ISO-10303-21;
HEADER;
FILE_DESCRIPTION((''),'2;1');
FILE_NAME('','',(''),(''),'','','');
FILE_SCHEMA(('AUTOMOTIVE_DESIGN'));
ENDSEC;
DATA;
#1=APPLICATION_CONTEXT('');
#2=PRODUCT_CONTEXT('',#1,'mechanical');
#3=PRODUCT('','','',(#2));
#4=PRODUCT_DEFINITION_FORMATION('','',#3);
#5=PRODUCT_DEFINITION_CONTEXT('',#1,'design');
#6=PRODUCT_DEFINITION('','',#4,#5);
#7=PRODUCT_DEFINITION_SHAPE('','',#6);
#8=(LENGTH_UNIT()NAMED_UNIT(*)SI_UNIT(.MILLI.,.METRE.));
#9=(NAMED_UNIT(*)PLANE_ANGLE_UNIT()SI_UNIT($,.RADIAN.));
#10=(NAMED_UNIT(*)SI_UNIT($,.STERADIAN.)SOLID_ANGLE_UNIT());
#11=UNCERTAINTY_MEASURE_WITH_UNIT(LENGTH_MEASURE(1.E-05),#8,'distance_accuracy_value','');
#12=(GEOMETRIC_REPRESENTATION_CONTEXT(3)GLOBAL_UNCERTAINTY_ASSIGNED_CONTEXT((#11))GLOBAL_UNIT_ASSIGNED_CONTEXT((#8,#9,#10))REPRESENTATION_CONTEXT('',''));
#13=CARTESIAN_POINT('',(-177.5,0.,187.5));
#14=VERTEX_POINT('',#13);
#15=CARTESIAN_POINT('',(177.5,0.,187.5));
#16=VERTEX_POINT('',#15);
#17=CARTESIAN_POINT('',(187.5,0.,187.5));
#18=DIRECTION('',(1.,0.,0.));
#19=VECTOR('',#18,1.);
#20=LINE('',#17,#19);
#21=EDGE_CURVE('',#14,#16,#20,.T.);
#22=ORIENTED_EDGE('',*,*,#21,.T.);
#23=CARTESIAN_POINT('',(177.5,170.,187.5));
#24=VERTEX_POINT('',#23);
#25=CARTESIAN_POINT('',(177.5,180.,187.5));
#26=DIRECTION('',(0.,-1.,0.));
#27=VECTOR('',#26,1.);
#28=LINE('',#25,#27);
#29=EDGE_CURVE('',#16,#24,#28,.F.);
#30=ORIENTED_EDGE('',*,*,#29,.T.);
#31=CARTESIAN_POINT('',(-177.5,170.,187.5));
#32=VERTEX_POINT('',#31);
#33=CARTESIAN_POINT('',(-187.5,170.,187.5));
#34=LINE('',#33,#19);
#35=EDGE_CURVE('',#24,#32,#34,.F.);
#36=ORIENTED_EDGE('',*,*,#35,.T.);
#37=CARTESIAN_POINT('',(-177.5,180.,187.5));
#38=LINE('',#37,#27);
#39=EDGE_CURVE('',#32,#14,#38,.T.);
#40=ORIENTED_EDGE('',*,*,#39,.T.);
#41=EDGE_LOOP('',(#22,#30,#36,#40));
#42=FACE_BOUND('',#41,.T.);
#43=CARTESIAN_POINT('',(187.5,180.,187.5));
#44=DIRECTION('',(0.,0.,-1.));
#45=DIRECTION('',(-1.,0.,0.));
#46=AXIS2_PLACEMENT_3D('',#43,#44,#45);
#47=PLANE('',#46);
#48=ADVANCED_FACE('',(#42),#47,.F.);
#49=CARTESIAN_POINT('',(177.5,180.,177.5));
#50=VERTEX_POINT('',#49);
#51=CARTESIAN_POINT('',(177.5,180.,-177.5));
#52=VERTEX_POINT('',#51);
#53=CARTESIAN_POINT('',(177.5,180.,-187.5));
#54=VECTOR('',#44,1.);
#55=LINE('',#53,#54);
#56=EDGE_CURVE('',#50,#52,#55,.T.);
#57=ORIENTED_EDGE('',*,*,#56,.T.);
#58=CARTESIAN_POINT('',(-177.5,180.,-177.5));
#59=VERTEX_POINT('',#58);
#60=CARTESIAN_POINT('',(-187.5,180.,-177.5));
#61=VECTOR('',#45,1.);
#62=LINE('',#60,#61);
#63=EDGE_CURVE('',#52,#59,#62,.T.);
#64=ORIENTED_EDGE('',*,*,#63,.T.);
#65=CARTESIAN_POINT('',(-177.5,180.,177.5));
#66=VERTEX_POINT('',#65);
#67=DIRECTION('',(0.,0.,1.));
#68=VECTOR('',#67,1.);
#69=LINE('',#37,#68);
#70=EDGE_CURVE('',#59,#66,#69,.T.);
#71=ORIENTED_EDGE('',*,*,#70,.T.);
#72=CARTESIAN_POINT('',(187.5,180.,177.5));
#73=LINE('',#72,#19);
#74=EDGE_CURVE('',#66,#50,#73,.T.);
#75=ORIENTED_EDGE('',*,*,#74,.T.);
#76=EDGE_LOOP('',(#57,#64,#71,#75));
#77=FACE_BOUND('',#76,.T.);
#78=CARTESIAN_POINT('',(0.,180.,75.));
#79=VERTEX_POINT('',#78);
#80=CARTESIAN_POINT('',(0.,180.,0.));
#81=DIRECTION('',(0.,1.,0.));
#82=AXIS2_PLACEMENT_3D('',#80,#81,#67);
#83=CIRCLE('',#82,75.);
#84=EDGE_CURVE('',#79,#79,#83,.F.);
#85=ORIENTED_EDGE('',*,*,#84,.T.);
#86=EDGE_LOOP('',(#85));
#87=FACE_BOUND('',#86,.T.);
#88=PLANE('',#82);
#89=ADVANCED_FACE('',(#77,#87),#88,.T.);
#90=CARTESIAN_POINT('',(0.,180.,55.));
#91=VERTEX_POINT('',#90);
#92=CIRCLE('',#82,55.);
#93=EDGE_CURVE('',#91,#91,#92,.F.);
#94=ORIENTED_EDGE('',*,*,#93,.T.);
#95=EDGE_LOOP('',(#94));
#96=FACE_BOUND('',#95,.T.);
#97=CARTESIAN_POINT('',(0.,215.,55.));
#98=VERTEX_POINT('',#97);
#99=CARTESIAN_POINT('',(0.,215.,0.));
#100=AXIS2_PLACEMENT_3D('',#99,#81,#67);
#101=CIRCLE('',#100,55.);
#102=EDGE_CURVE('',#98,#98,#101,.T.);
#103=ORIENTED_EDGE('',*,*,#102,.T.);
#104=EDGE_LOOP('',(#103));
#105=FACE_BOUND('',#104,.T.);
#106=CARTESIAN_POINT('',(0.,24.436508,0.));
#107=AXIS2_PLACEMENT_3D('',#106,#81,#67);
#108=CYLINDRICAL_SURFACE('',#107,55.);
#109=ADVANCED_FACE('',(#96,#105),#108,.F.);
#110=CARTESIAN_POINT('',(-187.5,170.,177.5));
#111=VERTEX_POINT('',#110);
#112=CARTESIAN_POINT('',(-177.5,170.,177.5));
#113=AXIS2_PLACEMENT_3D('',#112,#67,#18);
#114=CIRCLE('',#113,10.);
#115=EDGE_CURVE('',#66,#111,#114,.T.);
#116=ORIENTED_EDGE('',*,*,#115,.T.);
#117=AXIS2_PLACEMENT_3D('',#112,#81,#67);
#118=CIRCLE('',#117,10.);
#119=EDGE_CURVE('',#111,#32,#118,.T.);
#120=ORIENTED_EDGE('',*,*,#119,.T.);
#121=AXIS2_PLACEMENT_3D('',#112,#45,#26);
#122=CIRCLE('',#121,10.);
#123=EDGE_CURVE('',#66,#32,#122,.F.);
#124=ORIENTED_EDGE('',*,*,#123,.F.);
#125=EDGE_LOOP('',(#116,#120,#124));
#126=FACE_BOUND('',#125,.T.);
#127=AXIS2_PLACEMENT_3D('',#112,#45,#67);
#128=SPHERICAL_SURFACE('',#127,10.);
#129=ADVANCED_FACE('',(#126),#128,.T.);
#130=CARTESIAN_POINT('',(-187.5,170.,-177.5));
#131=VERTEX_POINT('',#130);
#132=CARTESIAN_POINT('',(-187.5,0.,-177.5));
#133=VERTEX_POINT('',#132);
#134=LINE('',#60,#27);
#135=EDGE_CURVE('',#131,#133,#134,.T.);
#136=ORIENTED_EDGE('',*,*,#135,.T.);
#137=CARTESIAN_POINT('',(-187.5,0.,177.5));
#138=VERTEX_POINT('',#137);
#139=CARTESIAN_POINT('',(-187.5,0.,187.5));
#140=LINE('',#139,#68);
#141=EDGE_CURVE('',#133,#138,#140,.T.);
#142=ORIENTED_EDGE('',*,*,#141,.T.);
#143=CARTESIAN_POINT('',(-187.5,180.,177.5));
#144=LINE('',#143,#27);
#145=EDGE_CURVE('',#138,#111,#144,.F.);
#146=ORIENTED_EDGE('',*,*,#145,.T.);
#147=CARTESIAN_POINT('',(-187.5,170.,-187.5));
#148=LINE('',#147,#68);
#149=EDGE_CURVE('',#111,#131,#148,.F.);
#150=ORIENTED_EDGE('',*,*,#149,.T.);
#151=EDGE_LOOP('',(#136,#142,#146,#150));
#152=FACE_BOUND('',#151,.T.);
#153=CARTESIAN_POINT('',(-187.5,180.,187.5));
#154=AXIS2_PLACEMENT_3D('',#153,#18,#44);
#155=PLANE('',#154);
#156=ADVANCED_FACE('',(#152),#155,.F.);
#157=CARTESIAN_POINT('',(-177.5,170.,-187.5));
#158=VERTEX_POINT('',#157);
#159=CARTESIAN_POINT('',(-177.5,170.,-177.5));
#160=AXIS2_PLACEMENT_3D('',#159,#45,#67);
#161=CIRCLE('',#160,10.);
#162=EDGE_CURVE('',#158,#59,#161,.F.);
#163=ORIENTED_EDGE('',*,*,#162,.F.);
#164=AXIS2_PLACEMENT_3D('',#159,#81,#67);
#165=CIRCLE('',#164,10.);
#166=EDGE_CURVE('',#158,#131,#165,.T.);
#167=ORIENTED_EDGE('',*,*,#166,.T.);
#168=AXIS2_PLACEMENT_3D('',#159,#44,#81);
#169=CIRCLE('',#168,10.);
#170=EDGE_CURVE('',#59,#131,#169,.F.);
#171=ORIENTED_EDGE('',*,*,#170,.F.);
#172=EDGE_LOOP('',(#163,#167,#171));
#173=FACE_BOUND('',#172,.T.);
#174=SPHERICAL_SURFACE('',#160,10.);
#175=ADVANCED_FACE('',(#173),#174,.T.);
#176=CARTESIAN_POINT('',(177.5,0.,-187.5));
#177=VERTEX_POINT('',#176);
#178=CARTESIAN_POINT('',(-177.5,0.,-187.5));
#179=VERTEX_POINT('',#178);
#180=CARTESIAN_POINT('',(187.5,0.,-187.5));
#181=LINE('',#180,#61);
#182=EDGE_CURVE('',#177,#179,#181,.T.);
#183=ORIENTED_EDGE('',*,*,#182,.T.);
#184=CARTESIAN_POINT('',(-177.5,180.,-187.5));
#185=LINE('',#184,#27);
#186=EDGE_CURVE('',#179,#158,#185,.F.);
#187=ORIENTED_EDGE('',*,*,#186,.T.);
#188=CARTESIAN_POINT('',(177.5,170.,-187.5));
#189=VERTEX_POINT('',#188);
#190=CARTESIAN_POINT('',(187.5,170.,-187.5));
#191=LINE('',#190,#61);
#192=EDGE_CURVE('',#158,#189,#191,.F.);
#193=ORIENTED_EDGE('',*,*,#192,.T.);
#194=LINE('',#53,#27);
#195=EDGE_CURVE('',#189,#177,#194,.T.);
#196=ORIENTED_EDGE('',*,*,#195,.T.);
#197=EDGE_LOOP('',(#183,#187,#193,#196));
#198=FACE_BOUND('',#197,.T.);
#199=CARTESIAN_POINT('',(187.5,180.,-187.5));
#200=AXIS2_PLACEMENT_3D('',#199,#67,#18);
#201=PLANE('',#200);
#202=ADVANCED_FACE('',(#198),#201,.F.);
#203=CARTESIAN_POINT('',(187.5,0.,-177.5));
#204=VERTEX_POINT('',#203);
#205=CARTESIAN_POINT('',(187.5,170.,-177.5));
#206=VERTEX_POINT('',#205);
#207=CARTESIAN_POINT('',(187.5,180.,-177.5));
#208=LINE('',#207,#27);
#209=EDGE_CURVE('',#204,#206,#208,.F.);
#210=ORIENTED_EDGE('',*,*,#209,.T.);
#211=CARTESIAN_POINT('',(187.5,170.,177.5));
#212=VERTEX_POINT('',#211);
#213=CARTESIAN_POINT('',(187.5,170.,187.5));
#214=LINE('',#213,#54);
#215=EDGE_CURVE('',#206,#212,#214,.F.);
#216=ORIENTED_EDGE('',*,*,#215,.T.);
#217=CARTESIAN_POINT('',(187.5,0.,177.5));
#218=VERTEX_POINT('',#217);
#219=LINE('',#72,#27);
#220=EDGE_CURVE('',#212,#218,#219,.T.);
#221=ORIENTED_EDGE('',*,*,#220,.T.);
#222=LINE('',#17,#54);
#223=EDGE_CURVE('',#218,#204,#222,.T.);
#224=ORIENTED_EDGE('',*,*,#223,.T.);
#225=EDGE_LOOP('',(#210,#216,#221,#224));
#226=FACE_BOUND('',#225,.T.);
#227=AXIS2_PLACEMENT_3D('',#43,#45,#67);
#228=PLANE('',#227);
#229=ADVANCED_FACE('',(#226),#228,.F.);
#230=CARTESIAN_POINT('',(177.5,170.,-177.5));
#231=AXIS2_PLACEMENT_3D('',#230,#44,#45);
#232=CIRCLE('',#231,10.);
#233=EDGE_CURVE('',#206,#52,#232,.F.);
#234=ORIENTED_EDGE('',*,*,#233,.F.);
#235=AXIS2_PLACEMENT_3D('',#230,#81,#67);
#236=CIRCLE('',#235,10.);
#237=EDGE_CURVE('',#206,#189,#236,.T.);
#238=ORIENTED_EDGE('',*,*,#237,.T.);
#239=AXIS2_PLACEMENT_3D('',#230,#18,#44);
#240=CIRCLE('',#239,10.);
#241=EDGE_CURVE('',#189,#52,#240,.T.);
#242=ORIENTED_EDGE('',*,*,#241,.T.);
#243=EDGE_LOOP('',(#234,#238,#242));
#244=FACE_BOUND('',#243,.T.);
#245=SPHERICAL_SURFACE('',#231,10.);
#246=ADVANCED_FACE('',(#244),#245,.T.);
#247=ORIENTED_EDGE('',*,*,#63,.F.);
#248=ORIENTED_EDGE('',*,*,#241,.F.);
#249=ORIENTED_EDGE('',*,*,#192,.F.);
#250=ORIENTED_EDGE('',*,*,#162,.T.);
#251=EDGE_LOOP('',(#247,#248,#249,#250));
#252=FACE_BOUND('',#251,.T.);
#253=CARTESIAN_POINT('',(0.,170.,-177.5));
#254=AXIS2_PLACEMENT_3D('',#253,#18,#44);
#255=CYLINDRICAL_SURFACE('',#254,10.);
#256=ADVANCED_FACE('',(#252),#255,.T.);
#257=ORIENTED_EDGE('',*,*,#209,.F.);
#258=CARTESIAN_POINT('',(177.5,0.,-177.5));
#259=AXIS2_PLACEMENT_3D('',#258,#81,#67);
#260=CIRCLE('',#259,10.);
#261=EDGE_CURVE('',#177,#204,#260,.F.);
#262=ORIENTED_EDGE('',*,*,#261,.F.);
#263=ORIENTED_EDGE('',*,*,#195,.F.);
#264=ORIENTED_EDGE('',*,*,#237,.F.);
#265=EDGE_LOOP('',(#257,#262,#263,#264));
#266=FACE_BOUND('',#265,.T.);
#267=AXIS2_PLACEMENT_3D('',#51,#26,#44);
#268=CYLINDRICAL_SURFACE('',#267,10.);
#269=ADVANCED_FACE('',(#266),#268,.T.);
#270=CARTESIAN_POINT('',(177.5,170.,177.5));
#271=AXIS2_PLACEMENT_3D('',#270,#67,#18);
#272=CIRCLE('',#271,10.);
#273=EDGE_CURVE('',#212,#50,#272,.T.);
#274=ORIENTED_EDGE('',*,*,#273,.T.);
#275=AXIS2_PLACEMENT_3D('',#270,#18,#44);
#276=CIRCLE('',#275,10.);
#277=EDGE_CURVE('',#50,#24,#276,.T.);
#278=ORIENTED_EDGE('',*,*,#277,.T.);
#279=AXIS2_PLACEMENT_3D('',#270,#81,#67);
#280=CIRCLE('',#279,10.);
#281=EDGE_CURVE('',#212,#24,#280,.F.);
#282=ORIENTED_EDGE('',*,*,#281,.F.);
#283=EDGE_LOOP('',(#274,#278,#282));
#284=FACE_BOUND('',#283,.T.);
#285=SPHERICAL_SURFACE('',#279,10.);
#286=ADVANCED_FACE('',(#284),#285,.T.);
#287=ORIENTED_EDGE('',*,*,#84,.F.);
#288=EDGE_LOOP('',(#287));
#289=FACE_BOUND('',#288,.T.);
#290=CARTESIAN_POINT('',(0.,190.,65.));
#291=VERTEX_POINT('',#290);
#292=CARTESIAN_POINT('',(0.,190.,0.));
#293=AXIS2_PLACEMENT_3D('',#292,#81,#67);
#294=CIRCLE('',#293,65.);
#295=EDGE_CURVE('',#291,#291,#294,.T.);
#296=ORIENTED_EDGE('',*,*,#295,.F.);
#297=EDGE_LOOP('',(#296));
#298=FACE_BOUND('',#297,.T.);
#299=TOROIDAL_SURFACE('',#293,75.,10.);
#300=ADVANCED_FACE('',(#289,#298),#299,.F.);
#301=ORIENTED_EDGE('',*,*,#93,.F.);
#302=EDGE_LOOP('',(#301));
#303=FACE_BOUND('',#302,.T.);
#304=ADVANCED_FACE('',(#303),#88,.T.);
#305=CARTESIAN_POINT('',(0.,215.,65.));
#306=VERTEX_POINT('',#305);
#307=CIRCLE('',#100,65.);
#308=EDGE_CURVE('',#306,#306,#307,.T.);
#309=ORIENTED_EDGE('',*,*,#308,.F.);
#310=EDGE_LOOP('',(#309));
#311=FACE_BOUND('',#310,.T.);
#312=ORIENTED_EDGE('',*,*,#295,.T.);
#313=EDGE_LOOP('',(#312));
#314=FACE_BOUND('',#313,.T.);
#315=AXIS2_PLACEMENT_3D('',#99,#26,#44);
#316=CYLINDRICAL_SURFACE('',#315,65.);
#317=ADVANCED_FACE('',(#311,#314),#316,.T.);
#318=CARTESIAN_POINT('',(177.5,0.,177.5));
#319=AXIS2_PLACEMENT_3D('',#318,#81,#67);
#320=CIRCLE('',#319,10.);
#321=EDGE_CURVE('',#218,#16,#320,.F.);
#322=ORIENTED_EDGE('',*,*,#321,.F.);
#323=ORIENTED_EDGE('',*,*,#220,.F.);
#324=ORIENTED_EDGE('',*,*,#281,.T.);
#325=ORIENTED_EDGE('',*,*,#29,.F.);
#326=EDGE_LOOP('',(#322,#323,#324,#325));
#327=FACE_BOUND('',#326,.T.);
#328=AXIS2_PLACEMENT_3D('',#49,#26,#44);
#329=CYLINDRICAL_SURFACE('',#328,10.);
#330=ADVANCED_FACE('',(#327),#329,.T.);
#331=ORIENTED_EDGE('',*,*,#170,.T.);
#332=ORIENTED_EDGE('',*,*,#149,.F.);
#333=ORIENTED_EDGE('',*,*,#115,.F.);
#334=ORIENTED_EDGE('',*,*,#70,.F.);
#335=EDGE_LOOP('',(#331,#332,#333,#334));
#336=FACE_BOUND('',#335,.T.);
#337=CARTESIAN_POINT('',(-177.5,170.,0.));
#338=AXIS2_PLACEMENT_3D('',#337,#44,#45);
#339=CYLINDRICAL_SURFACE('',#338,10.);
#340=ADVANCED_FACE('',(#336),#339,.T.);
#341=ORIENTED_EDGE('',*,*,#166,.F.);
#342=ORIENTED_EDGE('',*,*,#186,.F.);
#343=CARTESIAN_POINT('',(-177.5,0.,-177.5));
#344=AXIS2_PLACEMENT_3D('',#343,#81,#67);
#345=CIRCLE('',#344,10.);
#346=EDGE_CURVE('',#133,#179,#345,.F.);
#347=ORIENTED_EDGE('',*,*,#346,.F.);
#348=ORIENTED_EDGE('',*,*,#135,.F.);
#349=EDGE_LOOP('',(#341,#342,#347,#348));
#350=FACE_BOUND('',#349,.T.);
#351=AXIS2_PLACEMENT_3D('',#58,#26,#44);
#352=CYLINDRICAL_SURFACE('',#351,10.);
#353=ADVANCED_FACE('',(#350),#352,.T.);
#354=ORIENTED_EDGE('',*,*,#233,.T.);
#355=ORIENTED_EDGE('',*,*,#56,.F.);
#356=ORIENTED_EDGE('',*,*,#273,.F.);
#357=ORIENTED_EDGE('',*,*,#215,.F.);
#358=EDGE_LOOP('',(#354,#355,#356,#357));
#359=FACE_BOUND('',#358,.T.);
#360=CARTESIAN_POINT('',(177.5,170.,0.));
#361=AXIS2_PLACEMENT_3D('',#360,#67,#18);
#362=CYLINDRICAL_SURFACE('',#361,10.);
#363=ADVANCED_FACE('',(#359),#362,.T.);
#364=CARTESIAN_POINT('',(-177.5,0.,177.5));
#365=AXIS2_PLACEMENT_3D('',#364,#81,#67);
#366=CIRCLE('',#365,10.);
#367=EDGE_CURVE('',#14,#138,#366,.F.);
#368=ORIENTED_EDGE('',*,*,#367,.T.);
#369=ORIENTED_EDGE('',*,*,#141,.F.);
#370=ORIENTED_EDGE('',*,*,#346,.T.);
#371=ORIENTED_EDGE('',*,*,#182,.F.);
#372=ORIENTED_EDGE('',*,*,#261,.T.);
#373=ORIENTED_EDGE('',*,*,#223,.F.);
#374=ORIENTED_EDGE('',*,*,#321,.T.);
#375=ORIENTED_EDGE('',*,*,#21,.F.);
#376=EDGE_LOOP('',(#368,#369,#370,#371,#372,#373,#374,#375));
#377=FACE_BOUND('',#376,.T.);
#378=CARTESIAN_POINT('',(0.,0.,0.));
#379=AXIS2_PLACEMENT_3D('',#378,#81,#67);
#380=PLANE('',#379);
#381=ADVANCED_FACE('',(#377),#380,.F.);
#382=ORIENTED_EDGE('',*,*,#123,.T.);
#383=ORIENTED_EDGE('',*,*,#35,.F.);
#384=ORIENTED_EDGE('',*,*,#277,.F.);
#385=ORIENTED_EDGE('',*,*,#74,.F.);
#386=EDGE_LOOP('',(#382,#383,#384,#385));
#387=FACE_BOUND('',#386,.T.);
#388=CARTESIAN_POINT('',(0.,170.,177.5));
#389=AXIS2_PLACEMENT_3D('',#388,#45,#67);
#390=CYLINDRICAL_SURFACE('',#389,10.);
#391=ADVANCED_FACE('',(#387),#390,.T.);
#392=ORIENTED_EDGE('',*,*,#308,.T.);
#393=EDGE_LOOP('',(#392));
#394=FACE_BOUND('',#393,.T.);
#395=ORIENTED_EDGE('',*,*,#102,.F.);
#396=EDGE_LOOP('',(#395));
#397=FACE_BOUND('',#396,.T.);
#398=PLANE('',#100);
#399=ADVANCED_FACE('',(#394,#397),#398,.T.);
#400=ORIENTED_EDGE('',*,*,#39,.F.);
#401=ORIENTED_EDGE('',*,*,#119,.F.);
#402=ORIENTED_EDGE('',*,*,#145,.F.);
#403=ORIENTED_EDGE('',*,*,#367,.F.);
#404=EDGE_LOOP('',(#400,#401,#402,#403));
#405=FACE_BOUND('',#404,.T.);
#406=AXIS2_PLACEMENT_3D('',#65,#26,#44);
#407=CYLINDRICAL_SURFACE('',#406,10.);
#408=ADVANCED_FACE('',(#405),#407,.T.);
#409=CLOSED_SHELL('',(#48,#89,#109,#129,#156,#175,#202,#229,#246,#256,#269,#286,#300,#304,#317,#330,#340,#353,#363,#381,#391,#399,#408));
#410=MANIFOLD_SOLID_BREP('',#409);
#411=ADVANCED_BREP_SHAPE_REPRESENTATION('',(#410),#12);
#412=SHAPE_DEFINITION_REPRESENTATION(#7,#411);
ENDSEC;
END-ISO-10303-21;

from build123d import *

# Parameters (mm, degrees)
SKETCH1_W           = 375
SKETCH1_H           = 375
BOSS_EXTRUDE1_DEPTH = 180
SKETCH2_R           = 65
BOSS_EXTRUDE2_DEPTH = 35
SKETCH3_R           = 55
CUT_EXTRUDE1_DEPTH  = 35
FILLET1_R           = 10
FILLET2_R           = 10


with BuildPart() as part:
    # Sketch1 → Boss-Extrude1 (new body)
    with BuildSketch(Plane(origin=(0, 0, 0), x_dir=(1, 0, 0), z_dir=(0, 1, 0))):
        Rectangle(SKETCH1_W, SKETCH1_H)
    extrude(amount=BOSS_EXTRUDE1_DEPTH)

    # Sketch2 → Boss-Extrude2 (add)
    with BuildSketch(Plane(origin=(0, 180, 0), x_dir=(1, 0, 0), z_dir=(0, 1, 0))):
        with Locations(Location((0, 0, 0), (0, 0, 270))):
            Circle(SKETCH2_R)
    extrude(amount=BOSS_EXTRUDE2_DEPTH)

    # Sketch3 → Cut-Extrude1 (cut)
    with BuildSketch(Plane(origin=(0, 215, 0), x_dir=(1, 0, 0), z_dir=(0, 1, 0))):
        with Locations(Location((0, 0, 0), (0, 0, 270))):
            Circle(SKETCH3_R)
    extrude(amount=-CUT_EXTRUDE1_DEPTH, mode=Mode.SUBTRACT)

    # Fillet1
    fillet1_edges = [part.edges().sort_by_distance(p)[0] for p in [
        (0, 180, -65),
    ]]
    fillet(fillet1_edges, radius=FILLET1_R)

    # Fillet2
    fillet2_edges = [part.edges().sort_by_distance(p)[0] for p in [
        (187.5, 180, 0),
        (0, 180, -187.5),
        (-187.5, 180, 0),
        (-187.5, 90, -187.5),
        (187.5, 90, -187.5),
        (187.5, 90, 187.5),
        (-187.5, 90, 187.5),
        (0, 180, 187.5),
    ]]
    fillet(fillet2_edges, radius=FILLET2_R)


solid = part.part
